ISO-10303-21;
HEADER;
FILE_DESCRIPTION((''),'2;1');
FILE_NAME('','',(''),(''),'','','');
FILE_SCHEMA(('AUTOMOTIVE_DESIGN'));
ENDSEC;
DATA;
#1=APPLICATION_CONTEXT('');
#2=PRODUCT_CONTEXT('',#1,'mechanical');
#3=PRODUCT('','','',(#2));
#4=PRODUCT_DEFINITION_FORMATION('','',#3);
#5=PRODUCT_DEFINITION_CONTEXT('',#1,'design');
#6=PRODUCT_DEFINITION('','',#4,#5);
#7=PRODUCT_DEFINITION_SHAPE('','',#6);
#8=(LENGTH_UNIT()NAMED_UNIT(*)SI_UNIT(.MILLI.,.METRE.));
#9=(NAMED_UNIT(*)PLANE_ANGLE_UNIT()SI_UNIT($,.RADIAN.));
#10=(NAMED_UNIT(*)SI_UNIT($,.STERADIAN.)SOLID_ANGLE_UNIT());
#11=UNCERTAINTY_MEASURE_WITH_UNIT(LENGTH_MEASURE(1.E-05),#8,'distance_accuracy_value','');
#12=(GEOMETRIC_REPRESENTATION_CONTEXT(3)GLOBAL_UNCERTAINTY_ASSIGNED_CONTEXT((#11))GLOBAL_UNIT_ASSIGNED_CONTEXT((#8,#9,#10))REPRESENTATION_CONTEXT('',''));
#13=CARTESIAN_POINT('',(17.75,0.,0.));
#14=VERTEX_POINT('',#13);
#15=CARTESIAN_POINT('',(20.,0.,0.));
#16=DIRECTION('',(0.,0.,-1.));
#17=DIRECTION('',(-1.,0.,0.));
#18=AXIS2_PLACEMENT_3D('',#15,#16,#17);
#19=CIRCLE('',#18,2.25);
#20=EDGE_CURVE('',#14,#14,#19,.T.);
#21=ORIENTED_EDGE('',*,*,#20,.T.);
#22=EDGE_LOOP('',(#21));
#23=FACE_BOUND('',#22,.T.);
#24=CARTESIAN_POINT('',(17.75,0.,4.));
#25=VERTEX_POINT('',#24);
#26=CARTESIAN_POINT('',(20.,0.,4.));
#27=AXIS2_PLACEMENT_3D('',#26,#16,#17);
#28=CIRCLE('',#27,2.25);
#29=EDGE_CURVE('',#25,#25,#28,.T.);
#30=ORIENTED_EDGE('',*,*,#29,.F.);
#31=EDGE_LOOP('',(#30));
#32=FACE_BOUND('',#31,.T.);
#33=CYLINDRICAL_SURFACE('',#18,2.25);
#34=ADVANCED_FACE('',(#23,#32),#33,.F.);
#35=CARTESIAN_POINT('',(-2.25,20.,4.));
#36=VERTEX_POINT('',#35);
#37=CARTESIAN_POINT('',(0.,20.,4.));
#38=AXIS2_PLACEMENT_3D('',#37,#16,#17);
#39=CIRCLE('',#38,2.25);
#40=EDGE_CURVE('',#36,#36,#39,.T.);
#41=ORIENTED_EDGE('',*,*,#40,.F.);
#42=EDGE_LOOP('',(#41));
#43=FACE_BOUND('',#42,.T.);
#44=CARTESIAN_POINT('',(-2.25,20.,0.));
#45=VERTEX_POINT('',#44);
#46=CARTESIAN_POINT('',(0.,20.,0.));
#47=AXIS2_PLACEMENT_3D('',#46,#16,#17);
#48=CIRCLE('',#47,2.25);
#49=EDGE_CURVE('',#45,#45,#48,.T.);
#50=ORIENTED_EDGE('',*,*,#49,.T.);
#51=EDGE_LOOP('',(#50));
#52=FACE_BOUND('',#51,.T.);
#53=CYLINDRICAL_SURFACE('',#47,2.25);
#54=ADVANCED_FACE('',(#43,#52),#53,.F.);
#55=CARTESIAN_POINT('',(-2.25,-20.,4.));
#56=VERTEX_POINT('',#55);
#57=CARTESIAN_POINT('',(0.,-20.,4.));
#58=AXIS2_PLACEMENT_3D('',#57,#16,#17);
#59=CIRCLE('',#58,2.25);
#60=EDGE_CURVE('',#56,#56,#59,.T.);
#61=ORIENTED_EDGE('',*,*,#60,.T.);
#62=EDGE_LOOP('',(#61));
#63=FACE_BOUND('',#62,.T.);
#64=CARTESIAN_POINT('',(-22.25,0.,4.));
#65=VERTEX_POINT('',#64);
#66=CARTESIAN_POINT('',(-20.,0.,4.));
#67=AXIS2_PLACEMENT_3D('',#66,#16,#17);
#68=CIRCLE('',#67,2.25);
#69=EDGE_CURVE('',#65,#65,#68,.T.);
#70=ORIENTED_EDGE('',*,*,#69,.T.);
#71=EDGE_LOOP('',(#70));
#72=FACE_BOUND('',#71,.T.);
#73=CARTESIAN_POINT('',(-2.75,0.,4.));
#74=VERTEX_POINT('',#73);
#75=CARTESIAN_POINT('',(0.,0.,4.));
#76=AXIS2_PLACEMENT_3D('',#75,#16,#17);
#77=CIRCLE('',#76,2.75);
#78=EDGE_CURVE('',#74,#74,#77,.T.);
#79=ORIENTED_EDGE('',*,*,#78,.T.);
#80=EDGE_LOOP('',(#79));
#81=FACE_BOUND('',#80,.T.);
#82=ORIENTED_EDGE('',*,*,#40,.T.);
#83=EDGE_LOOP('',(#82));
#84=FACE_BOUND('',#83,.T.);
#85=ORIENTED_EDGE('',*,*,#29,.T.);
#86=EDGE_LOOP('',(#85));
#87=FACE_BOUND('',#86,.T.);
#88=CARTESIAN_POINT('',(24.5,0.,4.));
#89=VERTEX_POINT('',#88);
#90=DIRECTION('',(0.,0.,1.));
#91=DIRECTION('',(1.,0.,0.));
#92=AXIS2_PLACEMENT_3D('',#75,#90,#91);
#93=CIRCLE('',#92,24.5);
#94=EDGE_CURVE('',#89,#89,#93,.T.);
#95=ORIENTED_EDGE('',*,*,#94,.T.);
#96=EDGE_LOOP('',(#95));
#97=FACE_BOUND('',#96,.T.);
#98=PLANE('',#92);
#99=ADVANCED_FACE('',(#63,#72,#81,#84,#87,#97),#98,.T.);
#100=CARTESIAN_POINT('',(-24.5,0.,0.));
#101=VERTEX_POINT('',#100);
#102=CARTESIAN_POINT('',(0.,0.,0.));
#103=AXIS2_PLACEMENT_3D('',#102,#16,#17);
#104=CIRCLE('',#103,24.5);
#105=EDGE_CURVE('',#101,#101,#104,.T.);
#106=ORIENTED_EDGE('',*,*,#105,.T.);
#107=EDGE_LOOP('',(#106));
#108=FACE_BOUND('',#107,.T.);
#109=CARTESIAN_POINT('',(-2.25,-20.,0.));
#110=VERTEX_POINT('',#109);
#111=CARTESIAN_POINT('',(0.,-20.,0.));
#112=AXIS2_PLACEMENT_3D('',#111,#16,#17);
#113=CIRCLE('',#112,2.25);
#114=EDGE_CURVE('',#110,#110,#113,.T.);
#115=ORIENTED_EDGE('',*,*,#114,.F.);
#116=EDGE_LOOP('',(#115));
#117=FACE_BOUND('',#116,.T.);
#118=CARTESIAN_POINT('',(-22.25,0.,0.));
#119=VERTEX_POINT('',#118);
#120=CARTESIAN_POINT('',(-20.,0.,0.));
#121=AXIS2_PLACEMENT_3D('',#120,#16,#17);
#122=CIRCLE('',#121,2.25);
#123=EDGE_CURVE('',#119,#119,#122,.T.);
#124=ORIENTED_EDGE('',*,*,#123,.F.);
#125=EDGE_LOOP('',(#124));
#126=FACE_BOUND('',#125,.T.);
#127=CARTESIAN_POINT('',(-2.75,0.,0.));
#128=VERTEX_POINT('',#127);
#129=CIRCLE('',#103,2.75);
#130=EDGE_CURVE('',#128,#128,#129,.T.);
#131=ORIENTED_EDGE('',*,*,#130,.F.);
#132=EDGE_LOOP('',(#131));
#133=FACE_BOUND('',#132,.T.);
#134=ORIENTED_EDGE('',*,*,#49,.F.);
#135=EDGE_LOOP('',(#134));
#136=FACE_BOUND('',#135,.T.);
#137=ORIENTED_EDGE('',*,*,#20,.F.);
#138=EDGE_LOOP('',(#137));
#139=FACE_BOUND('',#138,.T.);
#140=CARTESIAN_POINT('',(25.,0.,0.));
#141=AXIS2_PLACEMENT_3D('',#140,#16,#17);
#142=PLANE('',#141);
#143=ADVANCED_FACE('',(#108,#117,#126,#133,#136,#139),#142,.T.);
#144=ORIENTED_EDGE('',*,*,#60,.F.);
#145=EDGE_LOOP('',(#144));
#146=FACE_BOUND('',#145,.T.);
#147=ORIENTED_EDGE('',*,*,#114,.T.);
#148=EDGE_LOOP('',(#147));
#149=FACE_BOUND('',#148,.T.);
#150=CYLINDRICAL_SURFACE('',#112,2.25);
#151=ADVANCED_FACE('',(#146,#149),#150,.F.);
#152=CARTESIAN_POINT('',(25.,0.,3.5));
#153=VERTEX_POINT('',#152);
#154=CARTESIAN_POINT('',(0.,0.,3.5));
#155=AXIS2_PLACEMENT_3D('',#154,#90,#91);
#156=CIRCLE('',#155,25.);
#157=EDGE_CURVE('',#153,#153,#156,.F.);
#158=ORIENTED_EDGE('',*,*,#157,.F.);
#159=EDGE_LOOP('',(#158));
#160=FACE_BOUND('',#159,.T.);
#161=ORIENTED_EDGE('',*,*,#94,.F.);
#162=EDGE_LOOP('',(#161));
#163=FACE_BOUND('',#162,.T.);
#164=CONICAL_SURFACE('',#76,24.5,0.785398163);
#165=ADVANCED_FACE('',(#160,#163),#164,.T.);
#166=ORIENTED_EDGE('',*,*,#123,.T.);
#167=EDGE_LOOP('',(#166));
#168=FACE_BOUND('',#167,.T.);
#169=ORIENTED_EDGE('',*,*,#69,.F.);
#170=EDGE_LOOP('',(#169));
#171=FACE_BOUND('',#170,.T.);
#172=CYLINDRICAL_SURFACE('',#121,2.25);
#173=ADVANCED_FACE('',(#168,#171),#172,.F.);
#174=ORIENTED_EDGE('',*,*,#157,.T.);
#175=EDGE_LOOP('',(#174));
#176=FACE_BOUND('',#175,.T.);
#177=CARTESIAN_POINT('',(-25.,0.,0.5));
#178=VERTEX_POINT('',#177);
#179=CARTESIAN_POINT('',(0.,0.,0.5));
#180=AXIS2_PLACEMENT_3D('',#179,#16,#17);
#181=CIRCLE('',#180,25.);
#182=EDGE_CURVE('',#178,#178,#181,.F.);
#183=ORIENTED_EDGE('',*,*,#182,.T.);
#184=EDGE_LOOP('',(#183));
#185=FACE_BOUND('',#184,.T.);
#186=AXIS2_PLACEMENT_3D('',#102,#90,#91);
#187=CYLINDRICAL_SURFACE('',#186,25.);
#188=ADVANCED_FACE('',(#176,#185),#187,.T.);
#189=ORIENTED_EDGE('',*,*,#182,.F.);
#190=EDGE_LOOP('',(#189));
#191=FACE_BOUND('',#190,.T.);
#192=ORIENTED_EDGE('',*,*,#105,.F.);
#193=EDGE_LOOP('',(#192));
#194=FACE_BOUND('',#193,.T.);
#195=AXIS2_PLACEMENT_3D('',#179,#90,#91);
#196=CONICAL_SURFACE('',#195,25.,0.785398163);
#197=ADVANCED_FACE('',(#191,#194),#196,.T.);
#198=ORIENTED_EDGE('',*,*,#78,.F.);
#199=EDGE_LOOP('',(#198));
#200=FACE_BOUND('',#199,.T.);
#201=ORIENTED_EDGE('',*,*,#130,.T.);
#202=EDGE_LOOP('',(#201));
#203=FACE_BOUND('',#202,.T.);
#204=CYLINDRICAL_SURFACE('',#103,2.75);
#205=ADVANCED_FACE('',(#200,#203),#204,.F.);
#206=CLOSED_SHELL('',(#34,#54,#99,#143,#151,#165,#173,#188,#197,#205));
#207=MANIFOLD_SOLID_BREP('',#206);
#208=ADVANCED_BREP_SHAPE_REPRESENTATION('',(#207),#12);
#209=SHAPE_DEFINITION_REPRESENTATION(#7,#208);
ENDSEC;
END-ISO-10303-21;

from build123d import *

# Parameters (mm, degrees)
SKETCH_1_W              = 25
SKETCH_1_H              = 4
HOLE_WIZARD_5_5_5_5_1_D = 5.5
HOLE_WIZARD_4_5_4_5_1_D = 4.5
CHAMFER_1_SIZE          = 0.5


with BuildPart() as part:
    # 草图1 → 旋转1 (revolve)
    with BuildSketch(Plane(origin=(0, 0, 0), x_dir=(1, 0, 0), z_dir=(0, 1, 0))):
        with Locations((12.5, -2)):
            Rectangle(SKETCH_1_W, SKETCH_1_H)
    revolve(axis=Axis((0, 0, 0), (0, 0, 1)))

    # Ø5.5 (5.5) 直径孔1 (through all)
    with Locations(Plane(origin=(0, 0, 0), x_dir=(-1, 0, 0), z_dir=(0, 0, -1))):
        with Locations((0, 0)):
            Hole(HOLE_WIZARD_5_5_5_5_1_D / 2)

    # Ø4.5 (4.5) 直径孔1 (through all)
    with Locations(Plane(origin=(0, 0, 0), x_dir=(-1, 0, 0), z_dir=(0, 0, -1))):
        with Locations((0, 20), (-20, 0), (0, -20), (20, 0)):
            Hole(HOLE_WIZARD_4_5_4_5_1_D / 2)

    # 倒角1
    chamfer_1_edges = [part.edges().sort_by_distance(p)[0] for p in [
        (-25, 0, 4),
        (-25, 0, 0),
    ]]
    chamfer(chamfer_1_edges, length=CHAMFER_1_SIZE)


solid = part.part
